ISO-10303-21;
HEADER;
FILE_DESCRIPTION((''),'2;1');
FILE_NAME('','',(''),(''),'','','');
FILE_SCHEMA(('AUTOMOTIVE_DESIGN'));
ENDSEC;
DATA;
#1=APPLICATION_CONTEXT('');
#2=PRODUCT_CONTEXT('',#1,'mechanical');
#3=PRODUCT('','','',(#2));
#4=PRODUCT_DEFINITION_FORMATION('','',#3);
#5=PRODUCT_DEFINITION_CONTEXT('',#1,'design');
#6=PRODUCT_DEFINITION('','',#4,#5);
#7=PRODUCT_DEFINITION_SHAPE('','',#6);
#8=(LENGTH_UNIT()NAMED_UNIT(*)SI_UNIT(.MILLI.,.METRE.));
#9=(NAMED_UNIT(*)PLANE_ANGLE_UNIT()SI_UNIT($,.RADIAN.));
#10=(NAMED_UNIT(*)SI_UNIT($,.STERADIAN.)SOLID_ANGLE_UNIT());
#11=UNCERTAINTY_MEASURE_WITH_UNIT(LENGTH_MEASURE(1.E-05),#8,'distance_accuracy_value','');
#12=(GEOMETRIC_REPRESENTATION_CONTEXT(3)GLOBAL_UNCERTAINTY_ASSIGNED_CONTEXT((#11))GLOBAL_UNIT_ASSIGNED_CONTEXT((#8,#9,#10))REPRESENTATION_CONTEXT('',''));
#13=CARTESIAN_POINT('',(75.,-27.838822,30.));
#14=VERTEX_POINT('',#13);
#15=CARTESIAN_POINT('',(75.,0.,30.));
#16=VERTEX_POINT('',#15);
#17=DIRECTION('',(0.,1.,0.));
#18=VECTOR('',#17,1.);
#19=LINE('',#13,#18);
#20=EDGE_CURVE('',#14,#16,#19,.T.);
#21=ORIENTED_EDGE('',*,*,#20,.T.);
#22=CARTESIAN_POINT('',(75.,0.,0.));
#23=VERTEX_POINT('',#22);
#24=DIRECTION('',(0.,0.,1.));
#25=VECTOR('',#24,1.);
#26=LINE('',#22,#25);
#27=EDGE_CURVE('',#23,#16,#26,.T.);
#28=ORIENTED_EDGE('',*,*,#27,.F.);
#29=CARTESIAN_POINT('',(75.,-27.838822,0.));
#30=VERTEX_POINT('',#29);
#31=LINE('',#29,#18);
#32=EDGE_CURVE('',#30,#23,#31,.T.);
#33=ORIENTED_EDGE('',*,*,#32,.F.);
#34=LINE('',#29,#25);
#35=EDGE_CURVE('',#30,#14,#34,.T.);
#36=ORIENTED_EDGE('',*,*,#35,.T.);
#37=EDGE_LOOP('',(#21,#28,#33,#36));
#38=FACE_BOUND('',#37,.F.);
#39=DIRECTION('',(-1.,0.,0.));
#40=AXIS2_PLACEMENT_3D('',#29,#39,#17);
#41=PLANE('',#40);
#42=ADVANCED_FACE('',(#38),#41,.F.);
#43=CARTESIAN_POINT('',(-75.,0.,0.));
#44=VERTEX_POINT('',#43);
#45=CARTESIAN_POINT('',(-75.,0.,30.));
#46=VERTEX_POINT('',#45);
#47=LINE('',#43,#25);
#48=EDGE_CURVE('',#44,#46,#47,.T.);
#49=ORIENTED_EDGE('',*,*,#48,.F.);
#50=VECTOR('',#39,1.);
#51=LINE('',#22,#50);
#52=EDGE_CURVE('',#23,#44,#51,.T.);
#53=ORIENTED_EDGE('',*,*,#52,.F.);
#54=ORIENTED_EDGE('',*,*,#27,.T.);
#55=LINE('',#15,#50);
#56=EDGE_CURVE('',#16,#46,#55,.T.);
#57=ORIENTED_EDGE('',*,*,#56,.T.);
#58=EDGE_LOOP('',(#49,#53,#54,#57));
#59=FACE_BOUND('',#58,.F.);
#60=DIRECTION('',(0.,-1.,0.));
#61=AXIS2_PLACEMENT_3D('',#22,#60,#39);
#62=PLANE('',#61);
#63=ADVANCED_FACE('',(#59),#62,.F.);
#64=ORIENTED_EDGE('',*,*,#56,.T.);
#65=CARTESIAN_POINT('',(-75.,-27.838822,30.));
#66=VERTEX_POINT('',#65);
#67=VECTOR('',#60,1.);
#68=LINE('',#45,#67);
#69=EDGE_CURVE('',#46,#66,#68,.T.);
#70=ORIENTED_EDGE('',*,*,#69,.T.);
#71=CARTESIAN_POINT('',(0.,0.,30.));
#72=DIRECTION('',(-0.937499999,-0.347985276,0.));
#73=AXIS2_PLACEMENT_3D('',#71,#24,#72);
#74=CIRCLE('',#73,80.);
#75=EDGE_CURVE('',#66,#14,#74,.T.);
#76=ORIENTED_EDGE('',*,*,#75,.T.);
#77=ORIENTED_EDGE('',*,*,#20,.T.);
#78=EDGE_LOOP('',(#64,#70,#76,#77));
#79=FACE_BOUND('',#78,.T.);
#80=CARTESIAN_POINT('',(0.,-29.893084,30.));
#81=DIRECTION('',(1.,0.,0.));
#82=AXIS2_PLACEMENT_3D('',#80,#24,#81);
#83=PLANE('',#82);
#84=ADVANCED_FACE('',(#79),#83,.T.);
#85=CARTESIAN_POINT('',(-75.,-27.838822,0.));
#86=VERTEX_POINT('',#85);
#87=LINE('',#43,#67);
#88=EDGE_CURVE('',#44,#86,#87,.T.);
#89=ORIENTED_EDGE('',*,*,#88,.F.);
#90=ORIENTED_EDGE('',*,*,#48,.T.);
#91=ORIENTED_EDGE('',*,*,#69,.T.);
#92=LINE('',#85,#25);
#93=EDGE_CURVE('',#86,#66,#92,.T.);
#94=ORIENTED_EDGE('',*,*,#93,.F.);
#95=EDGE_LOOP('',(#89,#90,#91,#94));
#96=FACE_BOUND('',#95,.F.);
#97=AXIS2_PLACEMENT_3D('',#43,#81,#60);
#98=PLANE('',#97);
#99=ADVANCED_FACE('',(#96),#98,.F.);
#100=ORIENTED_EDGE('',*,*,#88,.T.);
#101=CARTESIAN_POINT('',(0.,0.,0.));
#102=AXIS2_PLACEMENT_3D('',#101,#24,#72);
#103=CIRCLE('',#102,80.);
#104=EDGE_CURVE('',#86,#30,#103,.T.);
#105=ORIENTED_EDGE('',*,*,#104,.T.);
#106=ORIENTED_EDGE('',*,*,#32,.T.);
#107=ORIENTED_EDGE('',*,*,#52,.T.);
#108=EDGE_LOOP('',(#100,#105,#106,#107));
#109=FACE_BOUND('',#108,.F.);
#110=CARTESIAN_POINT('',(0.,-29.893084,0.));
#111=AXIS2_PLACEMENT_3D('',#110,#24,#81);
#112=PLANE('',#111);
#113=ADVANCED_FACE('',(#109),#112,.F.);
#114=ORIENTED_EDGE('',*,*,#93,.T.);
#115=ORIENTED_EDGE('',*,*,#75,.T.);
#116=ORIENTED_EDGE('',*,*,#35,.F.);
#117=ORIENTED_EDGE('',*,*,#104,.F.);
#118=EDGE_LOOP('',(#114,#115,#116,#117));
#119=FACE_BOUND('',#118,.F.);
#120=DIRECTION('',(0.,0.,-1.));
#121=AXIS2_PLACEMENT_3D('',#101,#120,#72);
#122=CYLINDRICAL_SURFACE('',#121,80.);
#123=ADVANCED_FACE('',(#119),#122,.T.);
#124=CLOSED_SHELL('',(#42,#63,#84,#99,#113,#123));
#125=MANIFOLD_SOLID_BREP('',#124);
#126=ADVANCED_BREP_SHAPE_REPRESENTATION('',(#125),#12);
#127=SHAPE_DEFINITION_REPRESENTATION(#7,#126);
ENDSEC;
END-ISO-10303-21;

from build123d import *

# Parameters (mm, degrees)
F1_DEPTH = 30


with BuildPart() as f1:
    # F0 (on Top) → F1 (new body)
    with BuildSketch(Plane.XY):
        with BuildLine():
            Line((-75, 0), (-75, -27.838822))
            ThreePointArc((-75, -27.838822), (0, -80), (75, -27.838822))
            Line((75, -27.838822), (75, 0))
            Line((75, 0), (0, 0))
            Line((0, 0), (-75, 0))
        make_face()
    extrude(amount=F1_DEPTH)


solid = f1.part
